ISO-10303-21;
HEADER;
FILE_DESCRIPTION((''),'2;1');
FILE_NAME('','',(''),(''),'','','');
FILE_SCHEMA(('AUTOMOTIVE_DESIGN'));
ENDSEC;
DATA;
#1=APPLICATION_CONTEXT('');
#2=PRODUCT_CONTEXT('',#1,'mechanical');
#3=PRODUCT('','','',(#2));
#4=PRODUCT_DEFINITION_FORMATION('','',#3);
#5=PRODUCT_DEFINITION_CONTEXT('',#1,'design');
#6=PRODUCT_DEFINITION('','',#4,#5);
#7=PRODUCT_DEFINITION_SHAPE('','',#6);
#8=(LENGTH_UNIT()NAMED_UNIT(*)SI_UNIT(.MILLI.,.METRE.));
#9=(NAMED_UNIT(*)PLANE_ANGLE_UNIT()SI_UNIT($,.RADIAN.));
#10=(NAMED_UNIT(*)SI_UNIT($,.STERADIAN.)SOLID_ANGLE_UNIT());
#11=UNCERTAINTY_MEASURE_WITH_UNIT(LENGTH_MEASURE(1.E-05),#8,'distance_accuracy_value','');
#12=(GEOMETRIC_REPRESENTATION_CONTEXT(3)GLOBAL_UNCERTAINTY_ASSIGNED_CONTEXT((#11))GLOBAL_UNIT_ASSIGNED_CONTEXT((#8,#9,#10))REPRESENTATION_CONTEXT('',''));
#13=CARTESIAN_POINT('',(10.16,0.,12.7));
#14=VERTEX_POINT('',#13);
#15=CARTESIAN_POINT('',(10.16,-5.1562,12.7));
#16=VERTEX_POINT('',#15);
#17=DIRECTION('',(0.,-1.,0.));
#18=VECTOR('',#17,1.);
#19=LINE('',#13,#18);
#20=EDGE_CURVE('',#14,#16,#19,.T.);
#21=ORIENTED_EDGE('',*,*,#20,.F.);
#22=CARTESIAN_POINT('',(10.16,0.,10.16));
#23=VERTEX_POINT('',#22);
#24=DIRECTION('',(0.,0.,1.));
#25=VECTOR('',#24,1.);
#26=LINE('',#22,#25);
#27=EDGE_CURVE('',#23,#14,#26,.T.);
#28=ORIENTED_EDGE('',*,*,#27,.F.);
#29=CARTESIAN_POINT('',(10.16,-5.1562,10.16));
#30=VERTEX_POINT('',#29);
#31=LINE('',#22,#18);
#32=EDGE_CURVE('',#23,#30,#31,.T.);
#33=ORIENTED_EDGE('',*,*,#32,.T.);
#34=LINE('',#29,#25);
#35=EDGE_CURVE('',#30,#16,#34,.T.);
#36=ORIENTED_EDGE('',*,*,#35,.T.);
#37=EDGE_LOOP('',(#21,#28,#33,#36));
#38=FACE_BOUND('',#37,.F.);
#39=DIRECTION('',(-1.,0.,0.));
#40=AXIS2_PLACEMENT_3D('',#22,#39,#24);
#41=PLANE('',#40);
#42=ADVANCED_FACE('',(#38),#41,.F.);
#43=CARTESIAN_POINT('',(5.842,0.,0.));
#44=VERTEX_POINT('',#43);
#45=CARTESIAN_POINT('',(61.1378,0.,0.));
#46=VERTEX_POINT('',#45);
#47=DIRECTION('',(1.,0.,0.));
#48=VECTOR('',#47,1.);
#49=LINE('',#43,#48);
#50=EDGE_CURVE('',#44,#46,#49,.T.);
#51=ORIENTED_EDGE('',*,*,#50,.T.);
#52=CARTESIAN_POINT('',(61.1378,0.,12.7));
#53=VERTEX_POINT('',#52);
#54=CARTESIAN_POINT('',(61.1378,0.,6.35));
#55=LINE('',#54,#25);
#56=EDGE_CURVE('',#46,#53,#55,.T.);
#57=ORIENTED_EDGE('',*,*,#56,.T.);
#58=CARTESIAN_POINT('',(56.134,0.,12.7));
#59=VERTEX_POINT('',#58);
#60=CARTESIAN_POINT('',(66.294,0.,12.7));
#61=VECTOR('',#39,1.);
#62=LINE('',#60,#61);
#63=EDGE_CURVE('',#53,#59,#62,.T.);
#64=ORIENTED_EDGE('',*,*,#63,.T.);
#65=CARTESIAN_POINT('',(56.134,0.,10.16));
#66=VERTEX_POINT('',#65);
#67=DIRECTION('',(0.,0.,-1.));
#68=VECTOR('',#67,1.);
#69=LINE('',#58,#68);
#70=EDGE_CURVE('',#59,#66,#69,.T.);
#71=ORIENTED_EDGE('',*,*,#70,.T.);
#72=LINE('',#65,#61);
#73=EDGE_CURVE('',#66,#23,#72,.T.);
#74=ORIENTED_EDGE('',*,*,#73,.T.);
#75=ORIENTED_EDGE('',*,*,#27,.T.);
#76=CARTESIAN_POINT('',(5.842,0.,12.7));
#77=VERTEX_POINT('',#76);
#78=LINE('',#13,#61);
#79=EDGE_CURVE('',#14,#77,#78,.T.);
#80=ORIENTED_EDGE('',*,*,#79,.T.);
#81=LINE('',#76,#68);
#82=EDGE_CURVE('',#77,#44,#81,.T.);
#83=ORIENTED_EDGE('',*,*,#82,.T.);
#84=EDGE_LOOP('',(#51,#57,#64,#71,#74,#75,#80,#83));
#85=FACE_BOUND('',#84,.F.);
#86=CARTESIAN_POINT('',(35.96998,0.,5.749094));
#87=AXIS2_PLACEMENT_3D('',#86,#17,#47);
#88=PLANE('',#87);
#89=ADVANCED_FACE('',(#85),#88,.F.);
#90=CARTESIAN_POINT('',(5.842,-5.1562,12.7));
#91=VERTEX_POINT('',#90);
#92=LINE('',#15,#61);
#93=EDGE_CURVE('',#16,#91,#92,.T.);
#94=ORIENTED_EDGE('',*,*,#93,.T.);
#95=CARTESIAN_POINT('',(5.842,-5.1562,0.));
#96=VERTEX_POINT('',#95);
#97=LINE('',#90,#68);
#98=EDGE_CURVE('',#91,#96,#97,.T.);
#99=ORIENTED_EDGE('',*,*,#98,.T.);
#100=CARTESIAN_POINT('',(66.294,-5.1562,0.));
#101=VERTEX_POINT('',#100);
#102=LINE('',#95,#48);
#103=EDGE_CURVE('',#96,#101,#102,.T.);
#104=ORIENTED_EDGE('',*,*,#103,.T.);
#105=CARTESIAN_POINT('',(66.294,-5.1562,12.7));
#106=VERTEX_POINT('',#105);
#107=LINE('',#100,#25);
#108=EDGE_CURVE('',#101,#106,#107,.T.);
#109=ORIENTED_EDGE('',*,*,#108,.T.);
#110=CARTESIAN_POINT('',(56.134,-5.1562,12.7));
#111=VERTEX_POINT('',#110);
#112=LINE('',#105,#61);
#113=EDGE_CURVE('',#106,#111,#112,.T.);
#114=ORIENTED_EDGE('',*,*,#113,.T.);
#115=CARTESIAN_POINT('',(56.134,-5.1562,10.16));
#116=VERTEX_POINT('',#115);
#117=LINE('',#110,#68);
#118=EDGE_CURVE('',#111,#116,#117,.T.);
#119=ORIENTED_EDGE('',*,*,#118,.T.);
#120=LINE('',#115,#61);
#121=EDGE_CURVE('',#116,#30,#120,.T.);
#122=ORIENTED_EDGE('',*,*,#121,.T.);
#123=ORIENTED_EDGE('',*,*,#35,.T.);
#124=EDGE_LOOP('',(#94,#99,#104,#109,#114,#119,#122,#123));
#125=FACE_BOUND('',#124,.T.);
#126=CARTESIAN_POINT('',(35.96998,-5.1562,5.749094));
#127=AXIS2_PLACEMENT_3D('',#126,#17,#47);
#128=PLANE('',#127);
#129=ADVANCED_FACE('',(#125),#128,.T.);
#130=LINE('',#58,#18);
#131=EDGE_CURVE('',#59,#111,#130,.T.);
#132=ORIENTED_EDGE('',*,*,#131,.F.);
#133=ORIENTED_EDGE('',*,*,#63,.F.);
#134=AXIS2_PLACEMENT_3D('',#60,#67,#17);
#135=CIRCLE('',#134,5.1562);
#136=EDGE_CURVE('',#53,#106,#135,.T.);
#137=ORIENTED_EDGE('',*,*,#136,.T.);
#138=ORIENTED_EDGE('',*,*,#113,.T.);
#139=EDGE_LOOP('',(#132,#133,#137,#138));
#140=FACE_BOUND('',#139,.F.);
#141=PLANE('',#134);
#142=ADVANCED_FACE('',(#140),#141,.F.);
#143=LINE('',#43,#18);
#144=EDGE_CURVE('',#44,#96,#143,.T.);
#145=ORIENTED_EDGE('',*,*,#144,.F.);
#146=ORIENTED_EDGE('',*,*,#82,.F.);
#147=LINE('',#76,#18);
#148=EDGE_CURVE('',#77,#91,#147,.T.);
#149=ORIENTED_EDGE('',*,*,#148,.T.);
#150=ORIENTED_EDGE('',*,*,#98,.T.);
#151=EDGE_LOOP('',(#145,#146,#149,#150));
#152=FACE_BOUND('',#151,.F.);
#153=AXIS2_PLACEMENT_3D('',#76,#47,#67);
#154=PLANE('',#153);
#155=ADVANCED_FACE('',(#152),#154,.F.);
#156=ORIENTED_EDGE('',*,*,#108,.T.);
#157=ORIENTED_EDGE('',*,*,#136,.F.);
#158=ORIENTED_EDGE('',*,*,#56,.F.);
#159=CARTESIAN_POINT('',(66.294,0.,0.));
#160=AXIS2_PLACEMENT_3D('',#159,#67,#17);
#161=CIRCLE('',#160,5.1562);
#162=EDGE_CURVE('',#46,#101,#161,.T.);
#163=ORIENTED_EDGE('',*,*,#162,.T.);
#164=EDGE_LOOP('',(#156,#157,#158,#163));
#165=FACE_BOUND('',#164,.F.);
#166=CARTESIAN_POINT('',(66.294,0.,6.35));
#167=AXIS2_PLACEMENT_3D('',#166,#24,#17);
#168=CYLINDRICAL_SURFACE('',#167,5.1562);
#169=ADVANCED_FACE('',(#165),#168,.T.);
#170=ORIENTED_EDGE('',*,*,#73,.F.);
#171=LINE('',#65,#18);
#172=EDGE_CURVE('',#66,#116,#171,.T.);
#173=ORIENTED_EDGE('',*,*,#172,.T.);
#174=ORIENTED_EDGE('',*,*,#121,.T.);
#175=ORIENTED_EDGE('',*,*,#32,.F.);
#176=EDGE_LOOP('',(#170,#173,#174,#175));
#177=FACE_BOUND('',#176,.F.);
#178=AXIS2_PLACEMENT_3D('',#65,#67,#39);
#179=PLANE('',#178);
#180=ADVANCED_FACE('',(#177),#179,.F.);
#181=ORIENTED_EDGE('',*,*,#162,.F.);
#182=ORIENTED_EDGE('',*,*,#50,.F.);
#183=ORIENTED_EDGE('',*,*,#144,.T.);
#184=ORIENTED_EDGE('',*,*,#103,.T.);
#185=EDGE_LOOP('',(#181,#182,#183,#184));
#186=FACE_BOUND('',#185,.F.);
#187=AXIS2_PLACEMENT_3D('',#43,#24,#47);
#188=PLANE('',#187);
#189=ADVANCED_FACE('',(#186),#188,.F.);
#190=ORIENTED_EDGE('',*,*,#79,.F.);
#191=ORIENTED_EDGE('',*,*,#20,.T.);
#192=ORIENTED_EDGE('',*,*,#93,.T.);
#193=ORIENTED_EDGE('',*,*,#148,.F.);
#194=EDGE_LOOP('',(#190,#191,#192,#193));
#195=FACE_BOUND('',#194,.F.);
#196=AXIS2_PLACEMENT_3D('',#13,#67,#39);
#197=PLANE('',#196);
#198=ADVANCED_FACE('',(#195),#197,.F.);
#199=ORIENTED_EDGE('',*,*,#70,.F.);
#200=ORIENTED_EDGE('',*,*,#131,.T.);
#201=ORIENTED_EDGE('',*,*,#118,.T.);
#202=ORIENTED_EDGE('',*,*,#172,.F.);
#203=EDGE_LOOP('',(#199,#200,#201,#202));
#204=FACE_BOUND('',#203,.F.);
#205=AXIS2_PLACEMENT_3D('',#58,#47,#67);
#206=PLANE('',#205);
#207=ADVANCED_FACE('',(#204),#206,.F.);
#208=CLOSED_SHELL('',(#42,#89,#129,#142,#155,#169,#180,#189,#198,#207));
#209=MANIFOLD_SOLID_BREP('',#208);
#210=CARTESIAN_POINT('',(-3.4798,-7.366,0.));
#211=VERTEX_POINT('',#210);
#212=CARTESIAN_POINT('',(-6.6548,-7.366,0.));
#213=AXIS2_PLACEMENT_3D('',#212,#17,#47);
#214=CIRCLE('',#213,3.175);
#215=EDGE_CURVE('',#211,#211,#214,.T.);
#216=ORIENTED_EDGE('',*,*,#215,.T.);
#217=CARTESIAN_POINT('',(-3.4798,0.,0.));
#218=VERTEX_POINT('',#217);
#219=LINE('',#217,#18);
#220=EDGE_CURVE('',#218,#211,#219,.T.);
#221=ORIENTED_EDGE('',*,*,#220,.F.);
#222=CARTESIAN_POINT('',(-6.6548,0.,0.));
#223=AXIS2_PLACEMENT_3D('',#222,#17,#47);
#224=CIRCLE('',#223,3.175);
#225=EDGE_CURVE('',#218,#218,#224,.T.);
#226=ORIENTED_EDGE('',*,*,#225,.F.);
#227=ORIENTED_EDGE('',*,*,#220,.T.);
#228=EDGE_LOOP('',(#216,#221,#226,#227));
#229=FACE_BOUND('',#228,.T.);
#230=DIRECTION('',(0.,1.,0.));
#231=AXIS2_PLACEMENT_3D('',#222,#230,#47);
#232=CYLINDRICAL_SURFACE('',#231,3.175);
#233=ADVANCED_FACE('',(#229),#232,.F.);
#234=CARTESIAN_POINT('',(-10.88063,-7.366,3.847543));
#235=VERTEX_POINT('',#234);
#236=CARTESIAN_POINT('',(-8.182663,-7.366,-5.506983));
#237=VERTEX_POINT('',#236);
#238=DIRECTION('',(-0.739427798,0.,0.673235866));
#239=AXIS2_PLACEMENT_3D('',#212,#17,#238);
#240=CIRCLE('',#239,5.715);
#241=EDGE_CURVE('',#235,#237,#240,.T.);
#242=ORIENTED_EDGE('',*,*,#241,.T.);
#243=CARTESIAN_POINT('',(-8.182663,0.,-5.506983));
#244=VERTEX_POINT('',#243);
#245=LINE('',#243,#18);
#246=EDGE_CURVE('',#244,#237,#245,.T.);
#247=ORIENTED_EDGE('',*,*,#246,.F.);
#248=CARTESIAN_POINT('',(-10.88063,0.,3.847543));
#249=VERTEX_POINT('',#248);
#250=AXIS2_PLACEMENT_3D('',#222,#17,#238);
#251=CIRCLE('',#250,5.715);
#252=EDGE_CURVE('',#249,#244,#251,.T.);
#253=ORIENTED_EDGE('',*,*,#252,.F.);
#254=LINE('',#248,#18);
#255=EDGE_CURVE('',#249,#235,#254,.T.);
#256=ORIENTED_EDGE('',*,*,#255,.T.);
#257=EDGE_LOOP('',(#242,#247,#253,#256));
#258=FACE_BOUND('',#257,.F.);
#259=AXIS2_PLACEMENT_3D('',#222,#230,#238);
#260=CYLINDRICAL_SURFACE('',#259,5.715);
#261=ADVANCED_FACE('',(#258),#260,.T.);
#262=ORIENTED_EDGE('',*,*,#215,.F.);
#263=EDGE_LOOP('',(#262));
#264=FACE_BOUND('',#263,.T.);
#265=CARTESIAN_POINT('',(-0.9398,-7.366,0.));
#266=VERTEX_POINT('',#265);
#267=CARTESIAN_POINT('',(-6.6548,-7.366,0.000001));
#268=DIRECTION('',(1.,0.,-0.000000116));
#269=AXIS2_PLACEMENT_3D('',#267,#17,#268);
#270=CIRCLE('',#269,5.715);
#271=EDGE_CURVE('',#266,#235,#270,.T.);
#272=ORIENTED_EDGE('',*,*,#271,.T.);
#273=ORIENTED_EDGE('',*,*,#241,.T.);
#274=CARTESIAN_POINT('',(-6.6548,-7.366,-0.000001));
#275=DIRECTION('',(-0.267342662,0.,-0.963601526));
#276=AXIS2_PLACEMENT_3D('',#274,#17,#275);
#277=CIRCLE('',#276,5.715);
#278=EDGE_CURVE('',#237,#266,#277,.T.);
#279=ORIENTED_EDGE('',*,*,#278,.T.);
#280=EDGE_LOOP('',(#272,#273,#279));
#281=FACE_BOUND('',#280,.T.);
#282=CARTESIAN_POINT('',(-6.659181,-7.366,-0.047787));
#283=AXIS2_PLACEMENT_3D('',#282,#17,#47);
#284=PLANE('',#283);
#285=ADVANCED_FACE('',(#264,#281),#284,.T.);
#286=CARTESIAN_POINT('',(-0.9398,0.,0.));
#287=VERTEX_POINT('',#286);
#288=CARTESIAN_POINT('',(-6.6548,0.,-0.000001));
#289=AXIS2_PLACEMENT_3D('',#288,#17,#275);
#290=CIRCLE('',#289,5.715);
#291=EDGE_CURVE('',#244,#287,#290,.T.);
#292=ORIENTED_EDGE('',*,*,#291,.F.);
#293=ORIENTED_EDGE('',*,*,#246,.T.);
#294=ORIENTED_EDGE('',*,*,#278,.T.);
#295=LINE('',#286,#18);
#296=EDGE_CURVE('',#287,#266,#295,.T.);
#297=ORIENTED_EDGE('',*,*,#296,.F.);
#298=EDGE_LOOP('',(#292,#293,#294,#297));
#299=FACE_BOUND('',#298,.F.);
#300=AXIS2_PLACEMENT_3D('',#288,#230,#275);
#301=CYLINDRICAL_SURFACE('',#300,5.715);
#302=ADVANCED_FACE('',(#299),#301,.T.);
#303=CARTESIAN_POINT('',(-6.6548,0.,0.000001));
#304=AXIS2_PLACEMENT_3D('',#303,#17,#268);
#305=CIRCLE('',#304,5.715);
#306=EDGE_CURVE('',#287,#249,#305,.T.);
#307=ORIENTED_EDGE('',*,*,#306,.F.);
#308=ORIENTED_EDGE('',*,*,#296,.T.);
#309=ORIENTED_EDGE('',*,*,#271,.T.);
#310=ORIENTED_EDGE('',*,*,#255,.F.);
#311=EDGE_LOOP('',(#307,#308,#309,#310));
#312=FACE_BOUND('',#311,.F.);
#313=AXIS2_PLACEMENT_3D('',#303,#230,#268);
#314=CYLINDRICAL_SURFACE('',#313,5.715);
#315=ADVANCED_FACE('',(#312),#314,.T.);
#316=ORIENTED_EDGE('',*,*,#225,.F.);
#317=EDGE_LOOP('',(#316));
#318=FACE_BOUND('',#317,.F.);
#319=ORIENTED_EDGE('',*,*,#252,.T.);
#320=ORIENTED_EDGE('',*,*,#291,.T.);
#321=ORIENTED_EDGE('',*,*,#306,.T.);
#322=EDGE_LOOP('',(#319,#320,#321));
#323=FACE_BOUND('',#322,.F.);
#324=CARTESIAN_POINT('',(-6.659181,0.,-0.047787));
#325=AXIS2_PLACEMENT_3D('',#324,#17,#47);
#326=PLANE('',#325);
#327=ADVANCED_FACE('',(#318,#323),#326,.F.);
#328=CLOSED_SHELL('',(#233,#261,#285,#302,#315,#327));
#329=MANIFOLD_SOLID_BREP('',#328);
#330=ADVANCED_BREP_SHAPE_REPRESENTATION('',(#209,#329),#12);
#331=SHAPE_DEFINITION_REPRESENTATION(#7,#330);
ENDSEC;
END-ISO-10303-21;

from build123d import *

# Parameters (mm, degrees)
F1_DEPTH  = 5.1562
F0_R      = 3.175
F2_DEPTH  = 7.366
F1_FACE_W = 5.1562
F1_FACE_H = 12.7


with BuildPart() as f1:
    # F0 (on Front) → F1 (new body)
    with BuildSketch(Plane.XZ):
        Polygon((5.842, 12.7), (5.842, 0), (66.294, 0), (66.294, 12.7), (56.134, 12.7), (56.134, 10.16), (10.16, 10.16), (10.16, 12.7), align=None)
    extrude(amount=F1_DEPTH)

    # F1_face (on face) → F3 (revolve)
    with BuildSketch(Plane(origin=(66.294, -2.5781, 6.35), x_dir=(0, 1, 0), z_dir=(1, 0, 0))):
        Rectangle(F1_FACE_W, F1_FACE_H)
    revolve(axis=Axis((66.294, 0, 6.35), (0, 0, -1)))


with BuildPart() as f2:
    # F0 (on Front) → F2 (new body)
    with BuildSketch(Plane.XZ):
        with BuildLine():
            ThreePointArc((-8.182663, -5.506983), (-3.195791, -4.549339), (-0.9398, 0))
            ThreePointArc((-0.9398, 0), (-4.591961, 5.329721), (-10.88063, 3.847543))
            ThreePointArc((-10.88063, 3.847543), (-12.145978, -1.583727), (-8.182663, -5.506983))
        make_face()
        with Locations((-6.6548, 0)):
            Circle(F0_R, mode=Mode.SUBTRACT)
    extrude(amount=F2_DEPTH)


solid = Compound([f1.part, f2.part])
